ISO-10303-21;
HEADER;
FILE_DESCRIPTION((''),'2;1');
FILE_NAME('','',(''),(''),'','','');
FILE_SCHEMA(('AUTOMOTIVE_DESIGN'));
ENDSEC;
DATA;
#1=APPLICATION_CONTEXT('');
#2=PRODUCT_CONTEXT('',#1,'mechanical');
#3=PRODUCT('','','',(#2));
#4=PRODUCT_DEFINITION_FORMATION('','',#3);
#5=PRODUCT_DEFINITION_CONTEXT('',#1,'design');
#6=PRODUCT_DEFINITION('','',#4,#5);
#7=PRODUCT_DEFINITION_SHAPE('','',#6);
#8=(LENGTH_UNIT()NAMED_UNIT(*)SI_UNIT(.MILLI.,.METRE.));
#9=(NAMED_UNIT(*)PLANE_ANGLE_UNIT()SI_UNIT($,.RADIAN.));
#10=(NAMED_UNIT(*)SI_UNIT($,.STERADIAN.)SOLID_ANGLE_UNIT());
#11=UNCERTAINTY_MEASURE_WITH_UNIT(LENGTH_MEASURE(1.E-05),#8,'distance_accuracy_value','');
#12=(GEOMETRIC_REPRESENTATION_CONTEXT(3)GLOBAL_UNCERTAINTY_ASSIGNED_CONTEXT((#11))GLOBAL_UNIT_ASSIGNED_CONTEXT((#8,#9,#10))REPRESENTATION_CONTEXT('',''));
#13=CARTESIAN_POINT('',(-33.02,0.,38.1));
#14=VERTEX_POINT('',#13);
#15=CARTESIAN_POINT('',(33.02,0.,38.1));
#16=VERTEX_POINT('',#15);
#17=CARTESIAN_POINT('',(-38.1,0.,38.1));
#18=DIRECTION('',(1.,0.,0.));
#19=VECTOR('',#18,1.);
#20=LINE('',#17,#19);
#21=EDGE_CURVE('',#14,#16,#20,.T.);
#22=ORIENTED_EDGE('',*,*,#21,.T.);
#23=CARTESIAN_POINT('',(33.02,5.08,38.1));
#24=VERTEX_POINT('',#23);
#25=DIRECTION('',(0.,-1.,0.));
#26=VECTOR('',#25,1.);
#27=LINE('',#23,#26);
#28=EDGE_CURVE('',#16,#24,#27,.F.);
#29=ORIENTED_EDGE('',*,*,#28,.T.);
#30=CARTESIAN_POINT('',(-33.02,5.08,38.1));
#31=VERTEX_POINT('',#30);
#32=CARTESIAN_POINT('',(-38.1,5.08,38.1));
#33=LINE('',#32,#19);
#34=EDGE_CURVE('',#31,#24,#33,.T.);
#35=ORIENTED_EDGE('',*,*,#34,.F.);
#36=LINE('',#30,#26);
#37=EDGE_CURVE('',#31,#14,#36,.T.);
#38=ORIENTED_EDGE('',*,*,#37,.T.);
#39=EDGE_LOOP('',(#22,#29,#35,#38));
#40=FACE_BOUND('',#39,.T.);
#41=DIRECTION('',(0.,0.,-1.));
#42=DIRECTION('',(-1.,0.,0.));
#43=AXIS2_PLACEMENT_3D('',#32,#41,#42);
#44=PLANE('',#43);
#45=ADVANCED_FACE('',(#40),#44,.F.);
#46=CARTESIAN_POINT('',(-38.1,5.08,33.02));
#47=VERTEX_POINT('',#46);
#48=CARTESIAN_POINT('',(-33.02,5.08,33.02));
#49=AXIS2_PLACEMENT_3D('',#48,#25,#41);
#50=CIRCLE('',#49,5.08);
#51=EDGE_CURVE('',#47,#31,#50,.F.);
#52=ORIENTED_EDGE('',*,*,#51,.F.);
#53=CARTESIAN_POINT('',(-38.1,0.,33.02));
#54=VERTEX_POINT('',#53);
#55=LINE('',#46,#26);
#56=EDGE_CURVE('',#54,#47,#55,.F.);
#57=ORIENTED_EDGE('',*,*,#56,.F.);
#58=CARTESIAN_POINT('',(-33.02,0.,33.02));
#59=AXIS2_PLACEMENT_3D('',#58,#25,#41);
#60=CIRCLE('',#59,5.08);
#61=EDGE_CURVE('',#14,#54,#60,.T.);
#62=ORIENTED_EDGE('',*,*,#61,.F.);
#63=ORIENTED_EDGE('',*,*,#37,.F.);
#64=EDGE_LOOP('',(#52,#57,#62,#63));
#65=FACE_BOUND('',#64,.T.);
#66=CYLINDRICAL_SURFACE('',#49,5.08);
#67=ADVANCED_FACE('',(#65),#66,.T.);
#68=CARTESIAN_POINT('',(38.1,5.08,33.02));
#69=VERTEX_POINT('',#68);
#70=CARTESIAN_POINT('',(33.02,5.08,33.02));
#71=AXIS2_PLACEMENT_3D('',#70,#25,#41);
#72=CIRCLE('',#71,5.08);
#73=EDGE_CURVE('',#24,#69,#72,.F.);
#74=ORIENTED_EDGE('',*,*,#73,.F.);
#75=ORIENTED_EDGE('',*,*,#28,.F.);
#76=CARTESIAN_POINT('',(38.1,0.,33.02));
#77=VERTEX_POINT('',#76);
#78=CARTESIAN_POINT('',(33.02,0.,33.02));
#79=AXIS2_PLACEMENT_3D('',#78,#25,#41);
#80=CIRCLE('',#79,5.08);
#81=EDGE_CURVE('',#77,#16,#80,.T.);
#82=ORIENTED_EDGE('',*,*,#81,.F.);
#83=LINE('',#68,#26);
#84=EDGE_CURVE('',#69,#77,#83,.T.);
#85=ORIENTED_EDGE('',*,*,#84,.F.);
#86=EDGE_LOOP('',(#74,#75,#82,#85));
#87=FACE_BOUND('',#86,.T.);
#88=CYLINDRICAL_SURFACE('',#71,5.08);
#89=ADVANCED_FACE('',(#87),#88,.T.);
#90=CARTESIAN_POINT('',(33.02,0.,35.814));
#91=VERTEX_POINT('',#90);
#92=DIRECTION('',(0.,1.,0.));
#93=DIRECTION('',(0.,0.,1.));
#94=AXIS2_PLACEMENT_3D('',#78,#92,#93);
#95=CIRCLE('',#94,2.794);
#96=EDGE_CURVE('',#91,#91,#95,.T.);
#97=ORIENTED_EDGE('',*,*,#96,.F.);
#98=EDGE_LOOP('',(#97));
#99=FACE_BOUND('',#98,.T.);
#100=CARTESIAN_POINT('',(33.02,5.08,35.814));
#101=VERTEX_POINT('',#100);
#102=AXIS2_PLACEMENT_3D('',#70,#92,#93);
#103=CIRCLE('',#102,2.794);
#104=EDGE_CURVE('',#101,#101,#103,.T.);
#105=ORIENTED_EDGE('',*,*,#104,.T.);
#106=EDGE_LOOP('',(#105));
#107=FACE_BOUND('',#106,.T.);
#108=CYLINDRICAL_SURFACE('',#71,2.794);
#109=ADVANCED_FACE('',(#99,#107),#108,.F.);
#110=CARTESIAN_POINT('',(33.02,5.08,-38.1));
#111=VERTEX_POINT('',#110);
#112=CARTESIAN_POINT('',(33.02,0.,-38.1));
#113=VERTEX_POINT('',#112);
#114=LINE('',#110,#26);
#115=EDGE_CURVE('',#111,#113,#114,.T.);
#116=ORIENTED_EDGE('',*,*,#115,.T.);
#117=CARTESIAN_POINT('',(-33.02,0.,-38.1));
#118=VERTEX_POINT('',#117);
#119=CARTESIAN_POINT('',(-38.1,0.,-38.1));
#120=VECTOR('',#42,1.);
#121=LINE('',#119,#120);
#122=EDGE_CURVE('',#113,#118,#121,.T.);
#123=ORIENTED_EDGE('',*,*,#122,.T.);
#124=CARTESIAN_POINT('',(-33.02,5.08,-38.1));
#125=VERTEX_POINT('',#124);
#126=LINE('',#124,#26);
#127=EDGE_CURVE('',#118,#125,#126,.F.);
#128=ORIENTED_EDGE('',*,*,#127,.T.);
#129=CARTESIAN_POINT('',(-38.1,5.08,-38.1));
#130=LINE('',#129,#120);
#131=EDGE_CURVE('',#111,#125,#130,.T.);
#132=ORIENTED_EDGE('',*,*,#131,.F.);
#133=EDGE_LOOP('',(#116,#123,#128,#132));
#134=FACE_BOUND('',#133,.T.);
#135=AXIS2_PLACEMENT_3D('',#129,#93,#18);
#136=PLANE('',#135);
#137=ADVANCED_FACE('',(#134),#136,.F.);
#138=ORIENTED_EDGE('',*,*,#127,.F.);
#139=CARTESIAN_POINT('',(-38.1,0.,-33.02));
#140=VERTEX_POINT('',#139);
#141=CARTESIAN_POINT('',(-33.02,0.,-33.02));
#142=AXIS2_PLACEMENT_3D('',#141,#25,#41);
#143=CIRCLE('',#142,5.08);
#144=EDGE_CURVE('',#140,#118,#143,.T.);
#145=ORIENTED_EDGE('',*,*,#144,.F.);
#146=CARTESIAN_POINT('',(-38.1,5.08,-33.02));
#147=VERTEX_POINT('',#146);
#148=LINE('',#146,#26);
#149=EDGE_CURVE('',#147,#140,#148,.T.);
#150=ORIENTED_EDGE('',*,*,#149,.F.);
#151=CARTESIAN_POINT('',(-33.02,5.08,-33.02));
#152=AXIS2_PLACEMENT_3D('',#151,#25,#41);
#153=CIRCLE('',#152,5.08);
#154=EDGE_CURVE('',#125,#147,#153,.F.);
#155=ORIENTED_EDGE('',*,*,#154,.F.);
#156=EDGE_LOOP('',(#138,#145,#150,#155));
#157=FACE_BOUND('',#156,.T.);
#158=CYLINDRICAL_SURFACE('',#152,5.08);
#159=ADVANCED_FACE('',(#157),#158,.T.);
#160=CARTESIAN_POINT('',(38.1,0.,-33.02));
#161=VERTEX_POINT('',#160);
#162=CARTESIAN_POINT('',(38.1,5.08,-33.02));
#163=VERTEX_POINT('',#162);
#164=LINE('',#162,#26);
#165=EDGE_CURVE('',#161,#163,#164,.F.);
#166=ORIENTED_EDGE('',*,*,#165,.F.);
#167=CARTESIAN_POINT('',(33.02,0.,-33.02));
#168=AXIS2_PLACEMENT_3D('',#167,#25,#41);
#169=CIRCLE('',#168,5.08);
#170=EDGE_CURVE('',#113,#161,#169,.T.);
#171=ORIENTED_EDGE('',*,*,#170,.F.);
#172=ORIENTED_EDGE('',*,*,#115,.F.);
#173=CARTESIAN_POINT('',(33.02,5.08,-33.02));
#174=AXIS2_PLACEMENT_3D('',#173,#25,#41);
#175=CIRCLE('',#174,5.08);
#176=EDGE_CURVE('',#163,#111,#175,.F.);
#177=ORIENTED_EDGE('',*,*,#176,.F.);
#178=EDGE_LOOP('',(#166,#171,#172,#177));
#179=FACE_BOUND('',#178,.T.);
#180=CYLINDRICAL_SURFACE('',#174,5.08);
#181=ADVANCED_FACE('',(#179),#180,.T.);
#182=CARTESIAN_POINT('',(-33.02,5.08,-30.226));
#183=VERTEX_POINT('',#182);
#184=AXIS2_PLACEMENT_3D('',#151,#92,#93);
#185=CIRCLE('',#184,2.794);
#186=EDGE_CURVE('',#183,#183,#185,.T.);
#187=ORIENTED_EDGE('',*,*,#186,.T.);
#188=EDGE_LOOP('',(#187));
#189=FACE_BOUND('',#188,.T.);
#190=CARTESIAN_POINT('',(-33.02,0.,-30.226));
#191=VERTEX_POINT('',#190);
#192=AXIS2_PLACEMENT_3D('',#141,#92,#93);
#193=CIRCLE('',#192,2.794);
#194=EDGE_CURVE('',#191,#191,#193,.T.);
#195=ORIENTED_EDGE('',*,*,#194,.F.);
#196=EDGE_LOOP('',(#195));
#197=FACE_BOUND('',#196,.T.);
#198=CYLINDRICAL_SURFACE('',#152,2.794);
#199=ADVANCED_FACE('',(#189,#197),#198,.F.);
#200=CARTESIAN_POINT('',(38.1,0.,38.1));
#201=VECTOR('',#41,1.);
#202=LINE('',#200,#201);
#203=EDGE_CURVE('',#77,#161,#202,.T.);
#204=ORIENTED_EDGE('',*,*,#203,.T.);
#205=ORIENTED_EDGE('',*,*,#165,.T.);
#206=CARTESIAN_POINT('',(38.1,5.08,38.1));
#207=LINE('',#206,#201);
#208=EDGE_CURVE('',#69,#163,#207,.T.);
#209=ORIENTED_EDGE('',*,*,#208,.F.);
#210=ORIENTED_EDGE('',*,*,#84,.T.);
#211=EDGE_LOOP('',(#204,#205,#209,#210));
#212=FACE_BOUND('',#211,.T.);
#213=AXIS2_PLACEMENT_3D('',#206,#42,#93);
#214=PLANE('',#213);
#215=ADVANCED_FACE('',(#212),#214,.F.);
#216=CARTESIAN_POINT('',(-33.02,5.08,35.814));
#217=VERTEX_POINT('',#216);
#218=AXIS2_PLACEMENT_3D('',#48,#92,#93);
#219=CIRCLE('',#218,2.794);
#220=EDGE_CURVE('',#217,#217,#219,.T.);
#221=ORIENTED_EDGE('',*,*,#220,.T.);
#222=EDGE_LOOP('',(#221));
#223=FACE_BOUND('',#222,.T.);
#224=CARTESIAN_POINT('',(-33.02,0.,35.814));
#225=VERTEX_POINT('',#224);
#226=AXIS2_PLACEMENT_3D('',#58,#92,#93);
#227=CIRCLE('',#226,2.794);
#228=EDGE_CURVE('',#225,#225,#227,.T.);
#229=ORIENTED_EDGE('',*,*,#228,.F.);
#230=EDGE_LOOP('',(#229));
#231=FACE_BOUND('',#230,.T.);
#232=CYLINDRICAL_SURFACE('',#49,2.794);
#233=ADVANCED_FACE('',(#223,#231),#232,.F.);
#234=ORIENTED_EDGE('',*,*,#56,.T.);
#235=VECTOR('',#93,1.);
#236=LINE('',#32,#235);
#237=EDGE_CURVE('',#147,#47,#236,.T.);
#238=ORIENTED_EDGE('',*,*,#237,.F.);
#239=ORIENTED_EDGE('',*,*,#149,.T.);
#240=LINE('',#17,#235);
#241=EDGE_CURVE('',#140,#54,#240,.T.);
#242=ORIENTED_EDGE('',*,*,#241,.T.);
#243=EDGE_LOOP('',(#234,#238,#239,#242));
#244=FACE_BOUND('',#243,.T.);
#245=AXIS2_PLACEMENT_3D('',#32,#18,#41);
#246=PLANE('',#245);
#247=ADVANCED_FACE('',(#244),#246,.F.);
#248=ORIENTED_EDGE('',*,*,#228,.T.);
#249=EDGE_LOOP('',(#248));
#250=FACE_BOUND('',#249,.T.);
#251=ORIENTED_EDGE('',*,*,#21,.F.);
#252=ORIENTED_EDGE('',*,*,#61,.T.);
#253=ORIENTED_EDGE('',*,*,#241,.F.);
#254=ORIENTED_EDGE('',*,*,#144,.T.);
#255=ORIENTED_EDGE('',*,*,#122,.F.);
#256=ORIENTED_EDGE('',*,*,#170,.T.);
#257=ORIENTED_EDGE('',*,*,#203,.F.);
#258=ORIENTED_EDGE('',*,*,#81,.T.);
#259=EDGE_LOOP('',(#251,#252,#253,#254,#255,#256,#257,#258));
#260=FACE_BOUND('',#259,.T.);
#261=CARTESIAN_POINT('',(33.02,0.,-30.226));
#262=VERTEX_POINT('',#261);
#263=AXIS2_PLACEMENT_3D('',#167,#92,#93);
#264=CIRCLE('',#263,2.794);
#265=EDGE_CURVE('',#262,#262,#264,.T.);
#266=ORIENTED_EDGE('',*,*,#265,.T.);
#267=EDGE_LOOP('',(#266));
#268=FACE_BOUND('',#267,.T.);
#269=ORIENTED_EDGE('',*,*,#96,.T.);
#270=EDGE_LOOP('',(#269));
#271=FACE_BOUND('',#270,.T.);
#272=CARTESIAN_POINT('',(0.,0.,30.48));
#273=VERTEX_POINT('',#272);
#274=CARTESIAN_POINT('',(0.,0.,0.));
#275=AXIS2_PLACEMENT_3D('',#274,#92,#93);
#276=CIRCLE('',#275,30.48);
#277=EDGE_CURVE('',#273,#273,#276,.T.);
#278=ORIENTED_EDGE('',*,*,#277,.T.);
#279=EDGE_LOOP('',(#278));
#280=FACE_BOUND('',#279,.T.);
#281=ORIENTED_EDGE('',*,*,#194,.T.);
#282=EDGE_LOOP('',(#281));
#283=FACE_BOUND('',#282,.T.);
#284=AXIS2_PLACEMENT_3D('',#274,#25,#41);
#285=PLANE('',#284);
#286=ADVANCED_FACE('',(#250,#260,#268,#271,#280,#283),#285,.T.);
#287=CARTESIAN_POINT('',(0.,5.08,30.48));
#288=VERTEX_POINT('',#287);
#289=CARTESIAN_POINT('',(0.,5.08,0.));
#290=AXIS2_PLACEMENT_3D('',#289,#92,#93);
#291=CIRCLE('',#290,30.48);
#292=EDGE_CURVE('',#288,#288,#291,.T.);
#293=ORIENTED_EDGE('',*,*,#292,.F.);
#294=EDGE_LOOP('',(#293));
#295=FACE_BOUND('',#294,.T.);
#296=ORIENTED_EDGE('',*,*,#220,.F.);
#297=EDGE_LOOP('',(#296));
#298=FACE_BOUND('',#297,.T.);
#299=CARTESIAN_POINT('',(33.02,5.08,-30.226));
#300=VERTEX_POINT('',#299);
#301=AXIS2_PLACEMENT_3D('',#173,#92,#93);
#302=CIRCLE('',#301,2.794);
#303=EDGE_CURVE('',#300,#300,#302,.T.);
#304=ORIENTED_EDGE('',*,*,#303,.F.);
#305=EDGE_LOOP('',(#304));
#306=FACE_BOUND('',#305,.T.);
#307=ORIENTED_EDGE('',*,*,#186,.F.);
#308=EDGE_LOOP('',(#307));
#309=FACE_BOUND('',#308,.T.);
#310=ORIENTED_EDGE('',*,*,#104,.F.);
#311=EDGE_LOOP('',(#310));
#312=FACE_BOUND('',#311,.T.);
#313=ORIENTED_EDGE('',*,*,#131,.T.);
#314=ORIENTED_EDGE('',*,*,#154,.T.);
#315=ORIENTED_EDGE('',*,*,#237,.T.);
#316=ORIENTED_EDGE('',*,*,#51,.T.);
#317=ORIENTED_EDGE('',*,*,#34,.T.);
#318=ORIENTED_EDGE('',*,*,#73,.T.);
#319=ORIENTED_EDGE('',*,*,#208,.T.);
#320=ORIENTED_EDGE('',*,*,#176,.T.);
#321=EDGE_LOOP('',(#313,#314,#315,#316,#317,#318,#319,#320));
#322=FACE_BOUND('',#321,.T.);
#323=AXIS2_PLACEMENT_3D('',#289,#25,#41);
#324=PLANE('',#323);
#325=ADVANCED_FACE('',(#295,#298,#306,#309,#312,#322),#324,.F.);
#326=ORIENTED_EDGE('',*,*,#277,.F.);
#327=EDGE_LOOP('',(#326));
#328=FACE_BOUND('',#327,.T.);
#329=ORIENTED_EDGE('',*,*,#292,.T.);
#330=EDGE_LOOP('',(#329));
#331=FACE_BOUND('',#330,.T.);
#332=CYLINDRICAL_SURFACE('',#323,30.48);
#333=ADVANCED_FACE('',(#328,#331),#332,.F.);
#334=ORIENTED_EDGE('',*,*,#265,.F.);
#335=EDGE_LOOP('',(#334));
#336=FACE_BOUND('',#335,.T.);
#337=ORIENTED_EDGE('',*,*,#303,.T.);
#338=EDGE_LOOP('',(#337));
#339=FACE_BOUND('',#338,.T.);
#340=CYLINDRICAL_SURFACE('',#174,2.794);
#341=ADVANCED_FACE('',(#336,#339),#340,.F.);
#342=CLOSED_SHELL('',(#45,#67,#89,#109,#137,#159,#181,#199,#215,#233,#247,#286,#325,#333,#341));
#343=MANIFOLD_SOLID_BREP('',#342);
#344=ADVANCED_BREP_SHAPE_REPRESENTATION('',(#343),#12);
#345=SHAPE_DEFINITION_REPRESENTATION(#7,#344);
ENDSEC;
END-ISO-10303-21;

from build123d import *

# Parameters (mm, degrees)
SKETCH1_W           = 76.2
SKETCH1_H           = 76.2
SKETCH1_R           = 2.794
SKETCH1_R_2         = 30.48
BOSS_EXTRUDE1_DEPTH = 5.08
FILLET1_R           = 5.08


with BuildPart() as part:
    # Sketch1 → Boss-Extrude1 (new body)
    with BuildSketch(Plane(origin=(0, 0, 0), x_dir=(1, 0, 0), z_dir=(0, 1, 0))):
        Rectangle(SKETCH1_W, SKETCH1_H)
        with Locations(Location((33.02, 33.02, 0), (0, 0, 270))):
            Circle(SKETCH1_R, mode=Mode.SUBTRACT)
        with Locations(Location((33.02, -33.02, 0), (0, 0, 270))):
            Circle(SKETCH1_R, mode=Mode.SUBTRACT)
        with Locations(Location((-33.02, -33.02, 0), (0, 0, 270))):
            Circle(SKETCH1_R, mode=Mode.SUBTRACT)
        with Locations(Location((-33.02, 33.02, 0), (0, 0, 270))):
            Circle(SKETCH1_R, mode=Mode.SUBTRACT)
        with Locations(Location((0, 0, 0), (0, 0, 270))):
            Circle(SKETCH1_R_2, mode=Mode.SUBTRACT)
    extrude(amount=BOSS_EXTRUDE1_DEPTH)

    # Fillet1
    fillet1_edges = [part.edges().sort_by_distance(p)[0] for p in [
        (38.1, 2.54, 38.1),
        (-38.1, 2.54, 38.1),
        (-38.1, 2.54, -38.1),
        (38.1, 2.54, -38.1),
    ]]
    fillet(fillet1_edges, radius=FILLET1_R)


solid = part.part
